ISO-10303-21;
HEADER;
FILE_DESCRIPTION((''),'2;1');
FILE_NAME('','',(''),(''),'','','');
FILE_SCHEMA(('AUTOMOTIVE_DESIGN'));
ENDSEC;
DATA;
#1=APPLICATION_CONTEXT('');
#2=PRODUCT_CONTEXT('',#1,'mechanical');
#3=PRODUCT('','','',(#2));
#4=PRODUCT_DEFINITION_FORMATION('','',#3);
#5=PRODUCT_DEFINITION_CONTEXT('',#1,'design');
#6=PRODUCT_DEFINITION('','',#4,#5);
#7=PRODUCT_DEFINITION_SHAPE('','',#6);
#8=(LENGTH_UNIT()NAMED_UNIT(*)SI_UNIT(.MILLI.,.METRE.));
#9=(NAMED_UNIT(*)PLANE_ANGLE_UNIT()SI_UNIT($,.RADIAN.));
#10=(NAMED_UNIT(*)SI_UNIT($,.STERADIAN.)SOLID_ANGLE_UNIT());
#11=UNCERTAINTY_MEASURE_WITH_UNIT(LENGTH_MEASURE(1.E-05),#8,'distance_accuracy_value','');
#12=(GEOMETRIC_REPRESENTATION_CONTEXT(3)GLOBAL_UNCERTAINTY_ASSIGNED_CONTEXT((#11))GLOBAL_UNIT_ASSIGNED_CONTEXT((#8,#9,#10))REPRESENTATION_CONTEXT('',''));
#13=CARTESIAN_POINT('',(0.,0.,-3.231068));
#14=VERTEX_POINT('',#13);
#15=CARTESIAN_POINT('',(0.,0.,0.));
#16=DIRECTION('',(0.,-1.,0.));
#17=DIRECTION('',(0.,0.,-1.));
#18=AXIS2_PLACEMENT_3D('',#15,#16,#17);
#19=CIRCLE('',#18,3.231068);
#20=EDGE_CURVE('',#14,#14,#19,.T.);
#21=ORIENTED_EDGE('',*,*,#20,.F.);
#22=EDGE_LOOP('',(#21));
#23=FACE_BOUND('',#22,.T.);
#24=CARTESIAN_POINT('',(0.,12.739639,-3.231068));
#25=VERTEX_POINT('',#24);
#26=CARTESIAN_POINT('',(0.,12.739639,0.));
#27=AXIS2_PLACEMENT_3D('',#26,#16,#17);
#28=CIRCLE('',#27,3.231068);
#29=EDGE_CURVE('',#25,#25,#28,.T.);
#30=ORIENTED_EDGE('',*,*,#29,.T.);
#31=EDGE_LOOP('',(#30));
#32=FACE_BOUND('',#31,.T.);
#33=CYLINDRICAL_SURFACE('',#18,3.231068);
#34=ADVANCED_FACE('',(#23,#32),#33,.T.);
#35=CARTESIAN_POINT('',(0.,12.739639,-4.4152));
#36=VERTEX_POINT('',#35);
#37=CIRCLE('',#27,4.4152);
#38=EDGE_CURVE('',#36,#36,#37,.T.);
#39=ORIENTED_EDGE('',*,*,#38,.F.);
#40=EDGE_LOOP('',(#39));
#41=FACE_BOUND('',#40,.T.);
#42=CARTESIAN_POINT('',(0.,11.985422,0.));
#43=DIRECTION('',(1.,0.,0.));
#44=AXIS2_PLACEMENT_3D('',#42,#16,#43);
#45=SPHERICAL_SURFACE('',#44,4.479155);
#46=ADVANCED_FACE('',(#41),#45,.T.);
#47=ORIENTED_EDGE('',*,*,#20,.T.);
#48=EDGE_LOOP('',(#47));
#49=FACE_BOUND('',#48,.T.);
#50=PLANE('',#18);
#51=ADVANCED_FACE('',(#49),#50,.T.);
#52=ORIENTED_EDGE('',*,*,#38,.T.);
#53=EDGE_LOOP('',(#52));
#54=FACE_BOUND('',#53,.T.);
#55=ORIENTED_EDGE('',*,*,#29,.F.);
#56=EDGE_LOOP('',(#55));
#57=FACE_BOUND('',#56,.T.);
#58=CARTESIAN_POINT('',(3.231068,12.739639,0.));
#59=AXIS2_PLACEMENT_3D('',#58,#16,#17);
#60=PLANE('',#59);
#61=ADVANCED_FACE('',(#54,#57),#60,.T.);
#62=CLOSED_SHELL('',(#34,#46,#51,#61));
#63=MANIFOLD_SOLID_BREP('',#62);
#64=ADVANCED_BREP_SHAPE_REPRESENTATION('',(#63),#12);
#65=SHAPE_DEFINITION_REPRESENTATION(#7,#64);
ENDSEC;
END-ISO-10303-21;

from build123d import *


with BuildPart() as part:
    # Sketch1 → Revolve1 (revolve)
    with BuildSketch(Plane.XY):
        with BuildLine():
            Line((0, 0), (3.231067894, 0))
            Line((3.231067894, 0), (3.231067894, 12.739639126))
            Line((3.231067894, 12.739639126), (4.415199877, 12.739639126))
            ThreePointArc((4.415199877, 12.739639126), (2.888302111, 15.408950176), (0, 16.464577565))
            Line((0, 16.464577565), (0, 0))
        make_face()
    revolve(axis=Axis((0, 0, 0), (0, 1, 0)))


solid = part.part
